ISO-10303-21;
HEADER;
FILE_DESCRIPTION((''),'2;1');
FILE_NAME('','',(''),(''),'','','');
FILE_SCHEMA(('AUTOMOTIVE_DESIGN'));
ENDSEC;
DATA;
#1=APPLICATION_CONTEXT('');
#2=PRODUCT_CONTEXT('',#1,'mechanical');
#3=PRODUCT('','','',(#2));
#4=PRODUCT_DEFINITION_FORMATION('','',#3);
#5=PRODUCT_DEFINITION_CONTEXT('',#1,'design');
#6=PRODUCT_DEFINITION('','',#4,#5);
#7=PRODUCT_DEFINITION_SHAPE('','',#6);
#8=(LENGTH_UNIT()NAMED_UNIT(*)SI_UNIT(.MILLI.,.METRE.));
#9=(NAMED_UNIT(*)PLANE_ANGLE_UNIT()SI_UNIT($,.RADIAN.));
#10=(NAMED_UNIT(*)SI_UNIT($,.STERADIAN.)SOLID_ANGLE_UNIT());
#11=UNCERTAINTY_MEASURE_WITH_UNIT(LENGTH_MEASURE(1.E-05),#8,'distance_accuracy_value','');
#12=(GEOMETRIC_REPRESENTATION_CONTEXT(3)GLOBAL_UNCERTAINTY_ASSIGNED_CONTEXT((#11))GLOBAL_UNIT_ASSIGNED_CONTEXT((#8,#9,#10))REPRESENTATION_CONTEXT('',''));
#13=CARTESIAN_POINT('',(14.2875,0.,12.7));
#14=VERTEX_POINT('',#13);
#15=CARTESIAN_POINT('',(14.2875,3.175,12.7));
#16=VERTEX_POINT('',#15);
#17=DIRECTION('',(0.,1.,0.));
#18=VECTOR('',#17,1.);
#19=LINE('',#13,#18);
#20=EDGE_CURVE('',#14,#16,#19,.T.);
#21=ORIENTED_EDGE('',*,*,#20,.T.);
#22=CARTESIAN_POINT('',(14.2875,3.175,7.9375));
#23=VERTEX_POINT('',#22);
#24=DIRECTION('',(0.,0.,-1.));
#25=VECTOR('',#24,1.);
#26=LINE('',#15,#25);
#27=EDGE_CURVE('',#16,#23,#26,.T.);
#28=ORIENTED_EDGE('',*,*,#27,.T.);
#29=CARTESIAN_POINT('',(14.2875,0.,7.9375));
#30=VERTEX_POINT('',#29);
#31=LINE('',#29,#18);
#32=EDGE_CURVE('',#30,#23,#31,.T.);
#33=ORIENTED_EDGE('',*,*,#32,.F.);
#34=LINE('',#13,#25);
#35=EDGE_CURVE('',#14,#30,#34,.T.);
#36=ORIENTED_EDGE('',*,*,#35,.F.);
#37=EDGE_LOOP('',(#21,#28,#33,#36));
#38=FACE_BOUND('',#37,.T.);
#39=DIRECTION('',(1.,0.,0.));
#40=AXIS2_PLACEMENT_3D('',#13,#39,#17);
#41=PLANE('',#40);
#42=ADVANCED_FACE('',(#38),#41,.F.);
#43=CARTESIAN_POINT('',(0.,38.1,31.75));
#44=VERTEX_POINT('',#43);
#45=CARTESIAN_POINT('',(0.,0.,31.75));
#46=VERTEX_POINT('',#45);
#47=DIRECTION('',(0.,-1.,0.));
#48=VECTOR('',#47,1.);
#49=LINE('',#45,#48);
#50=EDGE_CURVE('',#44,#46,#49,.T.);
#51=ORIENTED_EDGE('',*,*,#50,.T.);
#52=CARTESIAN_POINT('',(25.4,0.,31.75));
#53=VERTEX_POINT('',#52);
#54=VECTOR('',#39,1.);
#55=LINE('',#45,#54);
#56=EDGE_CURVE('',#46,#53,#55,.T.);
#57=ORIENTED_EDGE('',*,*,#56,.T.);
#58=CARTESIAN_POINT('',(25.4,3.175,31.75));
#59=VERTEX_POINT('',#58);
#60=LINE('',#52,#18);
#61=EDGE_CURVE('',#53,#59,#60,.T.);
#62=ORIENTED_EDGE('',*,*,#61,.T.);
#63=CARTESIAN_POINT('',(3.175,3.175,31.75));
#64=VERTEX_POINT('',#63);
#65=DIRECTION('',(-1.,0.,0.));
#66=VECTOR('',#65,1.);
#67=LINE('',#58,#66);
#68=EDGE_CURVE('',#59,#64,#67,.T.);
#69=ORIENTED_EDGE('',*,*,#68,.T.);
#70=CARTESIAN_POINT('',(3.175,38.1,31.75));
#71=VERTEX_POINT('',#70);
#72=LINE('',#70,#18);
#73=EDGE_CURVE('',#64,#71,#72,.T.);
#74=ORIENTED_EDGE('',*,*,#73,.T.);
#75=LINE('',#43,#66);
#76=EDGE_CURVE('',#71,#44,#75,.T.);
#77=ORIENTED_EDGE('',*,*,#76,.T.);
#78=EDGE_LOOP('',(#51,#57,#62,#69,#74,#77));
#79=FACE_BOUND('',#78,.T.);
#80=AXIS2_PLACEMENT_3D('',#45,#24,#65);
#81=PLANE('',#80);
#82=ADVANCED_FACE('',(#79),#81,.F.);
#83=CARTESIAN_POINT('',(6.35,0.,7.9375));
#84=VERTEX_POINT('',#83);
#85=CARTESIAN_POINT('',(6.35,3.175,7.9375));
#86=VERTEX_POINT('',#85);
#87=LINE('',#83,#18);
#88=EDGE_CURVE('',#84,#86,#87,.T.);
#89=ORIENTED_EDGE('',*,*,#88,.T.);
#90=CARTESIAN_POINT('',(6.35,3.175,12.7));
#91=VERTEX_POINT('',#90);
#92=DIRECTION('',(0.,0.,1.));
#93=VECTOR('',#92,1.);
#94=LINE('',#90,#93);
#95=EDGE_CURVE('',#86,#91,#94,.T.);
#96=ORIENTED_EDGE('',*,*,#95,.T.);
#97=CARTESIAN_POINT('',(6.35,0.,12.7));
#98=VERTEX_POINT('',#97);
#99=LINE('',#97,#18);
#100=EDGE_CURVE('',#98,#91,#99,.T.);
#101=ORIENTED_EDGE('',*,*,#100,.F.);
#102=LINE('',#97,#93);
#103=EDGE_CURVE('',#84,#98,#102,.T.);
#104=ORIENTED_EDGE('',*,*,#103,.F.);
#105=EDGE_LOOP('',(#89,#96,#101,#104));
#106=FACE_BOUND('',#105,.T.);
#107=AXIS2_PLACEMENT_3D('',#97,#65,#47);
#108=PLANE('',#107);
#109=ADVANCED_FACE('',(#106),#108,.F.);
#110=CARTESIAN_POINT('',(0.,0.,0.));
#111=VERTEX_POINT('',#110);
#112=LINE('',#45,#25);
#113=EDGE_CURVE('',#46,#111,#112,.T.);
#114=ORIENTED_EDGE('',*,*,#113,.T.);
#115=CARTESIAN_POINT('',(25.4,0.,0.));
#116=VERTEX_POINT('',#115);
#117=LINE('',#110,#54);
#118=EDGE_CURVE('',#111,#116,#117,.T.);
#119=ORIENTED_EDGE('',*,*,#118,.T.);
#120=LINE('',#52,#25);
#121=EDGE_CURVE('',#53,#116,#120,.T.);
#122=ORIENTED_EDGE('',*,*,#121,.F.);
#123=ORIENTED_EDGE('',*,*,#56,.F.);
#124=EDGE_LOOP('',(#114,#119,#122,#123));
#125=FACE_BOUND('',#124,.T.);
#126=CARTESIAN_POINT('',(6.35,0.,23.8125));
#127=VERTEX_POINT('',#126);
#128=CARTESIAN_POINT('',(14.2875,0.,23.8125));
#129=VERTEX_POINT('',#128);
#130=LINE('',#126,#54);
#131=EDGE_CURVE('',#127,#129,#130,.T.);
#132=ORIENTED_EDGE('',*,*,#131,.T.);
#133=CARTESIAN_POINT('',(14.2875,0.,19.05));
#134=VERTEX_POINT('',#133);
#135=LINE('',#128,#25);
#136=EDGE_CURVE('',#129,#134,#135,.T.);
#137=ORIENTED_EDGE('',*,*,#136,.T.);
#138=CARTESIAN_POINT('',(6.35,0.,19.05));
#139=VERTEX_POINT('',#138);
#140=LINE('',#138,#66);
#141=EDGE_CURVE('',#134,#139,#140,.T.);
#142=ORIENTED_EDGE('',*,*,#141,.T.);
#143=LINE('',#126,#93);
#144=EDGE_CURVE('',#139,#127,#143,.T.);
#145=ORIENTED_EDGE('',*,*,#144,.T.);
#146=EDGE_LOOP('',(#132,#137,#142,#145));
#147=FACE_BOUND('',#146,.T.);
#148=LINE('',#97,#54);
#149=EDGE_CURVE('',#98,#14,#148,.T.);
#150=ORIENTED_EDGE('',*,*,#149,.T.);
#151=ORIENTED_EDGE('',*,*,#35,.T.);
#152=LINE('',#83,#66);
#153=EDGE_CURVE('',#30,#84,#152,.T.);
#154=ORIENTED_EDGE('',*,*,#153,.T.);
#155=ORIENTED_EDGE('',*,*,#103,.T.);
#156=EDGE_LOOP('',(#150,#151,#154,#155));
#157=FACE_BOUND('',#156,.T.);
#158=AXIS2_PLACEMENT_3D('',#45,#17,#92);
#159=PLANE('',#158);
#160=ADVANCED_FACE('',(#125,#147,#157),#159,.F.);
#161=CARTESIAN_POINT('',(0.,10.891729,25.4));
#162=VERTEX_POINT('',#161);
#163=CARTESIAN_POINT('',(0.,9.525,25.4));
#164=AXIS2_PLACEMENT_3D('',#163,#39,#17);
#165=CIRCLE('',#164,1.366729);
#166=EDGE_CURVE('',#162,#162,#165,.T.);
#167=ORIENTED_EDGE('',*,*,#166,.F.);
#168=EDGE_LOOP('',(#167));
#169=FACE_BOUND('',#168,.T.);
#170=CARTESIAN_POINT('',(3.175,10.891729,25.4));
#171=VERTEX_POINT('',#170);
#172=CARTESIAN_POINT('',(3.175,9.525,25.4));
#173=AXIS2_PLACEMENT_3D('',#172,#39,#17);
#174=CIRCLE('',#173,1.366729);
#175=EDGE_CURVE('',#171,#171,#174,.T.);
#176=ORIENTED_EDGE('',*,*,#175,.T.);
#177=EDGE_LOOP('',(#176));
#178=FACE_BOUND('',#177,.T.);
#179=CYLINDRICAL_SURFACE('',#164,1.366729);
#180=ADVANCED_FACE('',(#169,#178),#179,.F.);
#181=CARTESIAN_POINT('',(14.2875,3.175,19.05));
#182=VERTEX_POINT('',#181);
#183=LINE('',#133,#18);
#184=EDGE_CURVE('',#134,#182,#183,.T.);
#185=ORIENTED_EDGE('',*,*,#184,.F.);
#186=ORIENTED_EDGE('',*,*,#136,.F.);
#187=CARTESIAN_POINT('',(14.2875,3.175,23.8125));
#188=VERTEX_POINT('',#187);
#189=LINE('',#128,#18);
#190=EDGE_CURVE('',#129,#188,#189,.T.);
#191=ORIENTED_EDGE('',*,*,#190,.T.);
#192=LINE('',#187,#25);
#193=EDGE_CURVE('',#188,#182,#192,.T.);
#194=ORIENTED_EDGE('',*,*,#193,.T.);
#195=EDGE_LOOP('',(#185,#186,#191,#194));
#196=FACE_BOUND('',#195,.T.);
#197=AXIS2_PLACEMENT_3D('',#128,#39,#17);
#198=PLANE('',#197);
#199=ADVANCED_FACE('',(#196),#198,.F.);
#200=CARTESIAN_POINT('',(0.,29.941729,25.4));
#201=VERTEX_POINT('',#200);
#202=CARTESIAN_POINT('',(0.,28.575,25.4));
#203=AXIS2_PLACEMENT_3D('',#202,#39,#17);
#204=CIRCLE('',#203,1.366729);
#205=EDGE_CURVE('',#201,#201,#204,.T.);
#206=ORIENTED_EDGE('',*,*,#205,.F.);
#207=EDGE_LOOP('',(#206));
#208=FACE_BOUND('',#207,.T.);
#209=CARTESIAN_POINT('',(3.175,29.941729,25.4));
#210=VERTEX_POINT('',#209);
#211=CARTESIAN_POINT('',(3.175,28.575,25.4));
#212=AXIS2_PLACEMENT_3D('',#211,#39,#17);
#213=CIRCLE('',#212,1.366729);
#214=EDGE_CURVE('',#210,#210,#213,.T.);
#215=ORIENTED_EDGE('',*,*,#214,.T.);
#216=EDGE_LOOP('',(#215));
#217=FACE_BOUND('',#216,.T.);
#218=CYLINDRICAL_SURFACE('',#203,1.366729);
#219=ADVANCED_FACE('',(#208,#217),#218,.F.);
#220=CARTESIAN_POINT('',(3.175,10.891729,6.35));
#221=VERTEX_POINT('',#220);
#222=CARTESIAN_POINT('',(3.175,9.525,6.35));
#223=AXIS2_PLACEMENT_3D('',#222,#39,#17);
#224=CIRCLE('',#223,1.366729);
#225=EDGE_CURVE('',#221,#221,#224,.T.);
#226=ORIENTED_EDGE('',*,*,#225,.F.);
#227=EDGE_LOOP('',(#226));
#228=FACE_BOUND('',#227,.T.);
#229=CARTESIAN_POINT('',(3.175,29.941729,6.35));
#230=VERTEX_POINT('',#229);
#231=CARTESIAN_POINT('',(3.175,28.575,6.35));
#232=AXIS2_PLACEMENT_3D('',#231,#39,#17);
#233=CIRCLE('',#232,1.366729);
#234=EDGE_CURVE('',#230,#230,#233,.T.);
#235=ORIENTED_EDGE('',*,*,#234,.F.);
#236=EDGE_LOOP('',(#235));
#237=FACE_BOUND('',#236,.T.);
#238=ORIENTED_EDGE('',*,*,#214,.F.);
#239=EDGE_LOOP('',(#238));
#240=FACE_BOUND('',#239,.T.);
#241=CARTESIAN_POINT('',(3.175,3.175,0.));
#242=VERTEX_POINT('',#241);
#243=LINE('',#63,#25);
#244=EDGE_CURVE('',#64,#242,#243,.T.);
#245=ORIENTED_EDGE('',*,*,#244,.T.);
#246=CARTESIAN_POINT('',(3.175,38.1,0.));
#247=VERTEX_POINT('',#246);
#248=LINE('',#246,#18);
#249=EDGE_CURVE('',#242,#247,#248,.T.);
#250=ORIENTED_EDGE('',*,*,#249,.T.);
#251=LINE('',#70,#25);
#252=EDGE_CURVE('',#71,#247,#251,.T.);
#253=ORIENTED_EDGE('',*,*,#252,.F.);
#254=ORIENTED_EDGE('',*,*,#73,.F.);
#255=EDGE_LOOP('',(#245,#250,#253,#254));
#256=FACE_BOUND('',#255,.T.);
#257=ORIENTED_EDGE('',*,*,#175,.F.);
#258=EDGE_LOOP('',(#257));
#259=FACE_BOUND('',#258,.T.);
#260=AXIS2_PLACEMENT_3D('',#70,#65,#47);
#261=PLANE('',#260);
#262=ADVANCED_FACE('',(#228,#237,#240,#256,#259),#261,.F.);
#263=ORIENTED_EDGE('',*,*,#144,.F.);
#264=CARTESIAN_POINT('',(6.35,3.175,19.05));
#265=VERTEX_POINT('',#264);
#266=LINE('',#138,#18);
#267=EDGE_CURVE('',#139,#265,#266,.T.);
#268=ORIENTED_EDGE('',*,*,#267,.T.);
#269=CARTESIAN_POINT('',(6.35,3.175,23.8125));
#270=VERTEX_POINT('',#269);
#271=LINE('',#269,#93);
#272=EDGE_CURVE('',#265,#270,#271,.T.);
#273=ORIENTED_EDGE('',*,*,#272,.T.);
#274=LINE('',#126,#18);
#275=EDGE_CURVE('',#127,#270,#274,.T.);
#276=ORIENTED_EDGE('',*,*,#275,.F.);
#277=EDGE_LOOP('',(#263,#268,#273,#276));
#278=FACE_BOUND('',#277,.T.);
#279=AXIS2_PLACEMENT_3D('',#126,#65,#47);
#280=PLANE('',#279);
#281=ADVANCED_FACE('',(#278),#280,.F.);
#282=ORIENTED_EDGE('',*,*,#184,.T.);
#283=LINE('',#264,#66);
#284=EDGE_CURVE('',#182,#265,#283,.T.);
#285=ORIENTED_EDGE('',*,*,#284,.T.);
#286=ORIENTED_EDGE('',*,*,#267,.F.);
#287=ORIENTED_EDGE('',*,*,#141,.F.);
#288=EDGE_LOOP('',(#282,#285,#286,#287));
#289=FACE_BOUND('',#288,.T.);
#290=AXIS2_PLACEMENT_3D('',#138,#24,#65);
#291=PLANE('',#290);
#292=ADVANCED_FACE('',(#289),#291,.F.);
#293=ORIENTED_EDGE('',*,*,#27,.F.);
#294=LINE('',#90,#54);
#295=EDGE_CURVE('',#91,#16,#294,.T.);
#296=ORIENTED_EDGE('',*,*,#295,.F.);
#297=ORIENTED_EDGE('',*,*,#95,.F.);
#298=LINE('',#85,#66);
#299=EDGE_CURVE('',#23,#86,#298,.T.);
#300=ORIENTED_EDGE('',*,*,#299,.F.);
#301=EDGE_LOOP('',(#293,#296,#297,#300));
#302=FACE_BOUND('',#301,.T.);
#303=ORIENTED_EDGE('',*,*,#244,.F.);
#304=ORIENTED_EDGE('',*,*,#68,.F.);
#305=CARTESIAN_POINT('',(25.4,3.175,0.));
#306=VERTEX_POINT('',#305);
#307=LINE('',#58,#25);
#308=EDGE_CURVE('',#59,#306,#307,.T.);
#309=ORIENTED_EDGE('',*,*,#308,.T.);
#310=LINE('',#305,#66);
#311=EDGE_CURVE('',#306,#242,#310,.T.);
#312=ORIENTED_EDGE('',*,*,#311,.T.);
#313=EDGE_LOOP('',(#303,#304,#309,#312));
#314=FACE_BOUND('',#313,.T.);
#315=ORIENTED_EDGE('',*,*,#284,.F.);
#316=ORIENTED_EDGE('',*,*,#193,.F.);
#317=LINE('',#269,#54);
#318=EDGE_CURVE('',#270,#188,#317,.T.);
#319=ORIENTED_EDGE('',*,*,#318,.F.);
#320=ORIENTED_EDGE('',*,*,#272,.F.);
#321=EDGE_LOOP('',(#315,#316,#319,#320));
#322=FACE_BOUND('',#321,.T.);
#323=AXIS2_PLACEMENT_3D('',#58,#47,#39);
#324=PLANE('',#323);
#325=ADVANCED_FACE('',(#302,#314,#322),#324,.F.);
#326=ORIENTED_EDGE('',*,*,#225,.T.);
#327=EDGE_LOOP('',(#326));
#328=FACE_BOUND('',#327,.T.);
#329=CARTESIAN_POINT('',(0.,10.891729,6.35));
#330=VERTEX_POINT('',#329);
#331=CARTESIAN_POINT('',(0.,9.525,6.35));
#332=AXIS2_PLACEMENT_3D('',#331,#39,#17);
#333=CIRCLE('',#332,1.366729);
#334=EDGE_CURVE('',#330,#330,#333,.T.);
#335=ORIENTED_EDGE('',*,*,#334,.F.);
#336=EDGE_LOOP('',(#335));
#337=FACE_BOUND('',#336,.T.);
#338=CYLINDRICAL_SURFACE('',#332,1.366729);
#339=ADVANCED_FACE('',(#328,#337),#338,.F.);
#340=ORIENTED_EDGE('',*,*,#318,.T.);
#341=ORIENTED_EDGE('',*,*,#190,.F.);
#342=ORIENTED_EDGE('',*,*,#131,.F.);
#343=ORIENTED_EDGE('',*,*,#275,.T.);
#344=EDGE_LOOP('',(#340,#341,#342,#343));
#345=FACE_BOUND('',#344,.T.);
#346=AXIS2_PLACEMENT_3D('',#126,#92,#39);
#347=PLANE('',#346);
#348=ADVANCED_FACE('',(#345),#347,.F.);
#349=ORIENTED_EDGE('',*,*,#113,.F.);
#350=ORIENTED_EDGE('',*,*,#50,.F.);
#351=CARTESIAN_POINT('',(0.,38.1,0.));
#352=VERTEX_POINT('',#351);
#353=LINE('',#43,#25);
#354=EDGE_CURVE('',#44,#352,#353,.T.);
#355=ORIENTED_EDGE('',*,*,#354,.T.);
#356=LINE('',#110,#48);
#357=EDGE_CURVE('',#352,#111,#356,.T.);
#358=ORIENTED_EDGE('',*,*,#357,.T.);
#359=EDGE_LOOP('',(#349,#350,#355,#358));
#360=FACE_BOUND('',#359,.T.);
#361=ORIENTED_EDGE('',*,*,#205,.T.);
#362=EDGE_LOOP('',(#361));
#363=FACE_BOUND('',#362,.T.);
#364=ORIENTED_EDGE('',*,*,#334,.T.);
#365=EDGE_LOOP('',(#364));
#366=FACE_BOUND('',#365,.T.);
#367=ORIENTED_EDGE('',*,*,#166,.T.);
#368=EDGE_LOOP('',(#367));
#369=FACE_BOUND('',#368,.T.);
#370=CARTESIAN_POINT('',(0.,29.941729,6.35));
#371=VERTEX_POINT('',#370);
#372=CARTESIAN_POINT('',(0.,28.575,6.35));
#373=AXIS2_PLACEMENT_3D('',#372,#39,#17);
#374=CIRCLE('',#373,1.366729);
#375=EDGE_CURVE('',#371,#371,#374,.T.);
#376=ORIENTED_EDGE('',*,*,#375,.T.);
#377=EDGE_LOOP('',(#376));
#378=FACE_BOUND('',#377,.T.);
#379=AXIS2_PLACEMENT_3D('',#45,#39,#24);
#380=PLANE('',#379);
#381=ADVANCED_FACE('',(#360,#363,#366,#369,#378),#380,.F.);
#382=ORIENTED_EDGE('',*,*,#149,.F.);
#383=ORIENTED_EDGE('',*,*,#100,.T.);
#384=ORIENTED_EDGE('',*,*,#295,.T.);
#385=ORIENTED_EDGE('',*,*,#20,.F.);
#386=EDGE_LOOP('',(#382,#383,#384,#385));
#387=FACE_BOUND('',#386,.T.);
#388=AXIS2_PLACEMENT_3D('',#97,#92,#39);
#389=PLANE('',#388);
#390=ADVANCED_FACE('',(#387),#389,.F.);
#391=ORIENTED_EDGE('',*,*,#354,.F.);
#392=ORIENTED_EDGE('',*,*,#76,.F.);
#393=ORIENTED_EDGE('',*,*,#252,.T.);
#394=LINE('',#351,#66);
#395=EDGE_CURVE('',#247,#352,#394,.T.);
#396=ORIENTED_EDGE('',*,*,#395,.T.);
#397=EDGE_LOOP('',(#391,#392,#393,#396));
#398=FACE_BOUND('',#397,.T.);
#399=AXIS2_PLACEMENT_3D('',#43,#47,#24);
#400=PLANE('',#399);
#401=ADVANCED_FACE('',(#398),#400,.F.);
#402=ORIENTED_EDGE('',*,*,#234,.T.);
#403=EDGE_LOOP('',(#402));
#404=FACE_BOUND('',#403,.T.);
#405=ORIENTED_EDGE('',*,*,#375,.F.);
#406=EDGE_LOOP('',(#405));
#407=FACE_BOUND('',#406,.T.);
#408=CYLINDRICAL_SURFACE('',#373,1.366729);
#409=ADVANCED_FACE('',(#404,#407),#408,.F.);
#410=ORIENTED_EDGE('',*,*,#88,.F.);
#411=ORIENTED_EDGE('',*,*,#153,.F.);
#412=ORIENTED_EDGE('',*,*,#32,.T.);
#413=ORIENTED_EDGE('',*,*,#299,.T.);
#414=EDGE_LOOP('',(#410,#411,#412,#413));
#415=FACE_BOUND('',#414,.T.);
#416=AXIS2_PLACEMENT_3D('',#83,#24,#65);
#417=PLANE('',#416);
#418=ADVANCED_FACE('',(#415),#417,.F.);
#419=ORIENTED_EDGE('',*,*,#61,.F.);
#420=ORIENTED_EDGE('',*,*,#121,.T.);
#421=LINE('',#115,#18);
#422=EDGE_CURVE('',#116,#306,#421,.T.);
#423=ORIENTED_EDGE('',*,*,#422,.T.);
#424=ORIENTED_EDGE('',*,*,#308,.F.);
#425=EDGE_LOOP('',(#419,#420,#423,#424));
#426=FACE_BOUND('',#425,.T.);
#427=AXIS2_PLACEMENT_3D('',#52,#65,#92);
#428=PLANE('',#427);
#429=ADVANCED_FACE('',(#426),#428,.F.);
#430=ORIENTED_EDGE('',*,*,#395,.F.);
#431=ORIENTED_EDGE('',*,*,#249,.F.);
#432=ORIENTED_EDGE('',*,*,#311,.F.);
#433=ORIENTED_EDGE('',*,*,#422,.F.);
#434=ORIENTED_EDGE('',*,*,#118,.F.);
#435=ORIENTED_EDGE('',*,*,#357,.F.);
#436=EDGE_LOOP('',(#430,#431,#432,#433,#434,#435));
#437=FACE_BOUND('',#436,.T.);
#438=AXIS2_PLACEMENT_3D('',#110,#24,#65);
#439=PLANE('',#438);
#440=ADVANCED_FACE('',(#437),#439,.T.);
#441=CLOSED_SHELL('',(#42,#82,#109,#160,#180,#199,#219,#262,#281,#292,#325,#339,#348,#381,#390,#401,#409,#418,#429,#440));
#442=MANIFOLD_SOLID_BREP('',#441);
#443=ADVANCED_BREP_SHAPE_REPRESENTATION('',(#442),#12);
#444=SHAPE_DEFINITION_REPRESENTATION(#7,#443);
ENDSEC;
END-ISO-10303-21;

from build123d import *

# Parameters (mm, degrees)
BOSS_EXTRUDE1_DEPTH = 31.75
SKETCH2_R           = 1.366728635
CUT_EXTRUDE1_DEPTH  = 4.175
SKETCH4_W           = 7.9375
SKETCH4_H           = 4.7625
CUT_EXTRUDE2_DEPTH  = 4.175


with BuildPart() as part:
    # Sketch1 → Boss-Extrude1 (new body)
    with BuildSketch(Plane.XY):
        Polygon((0, 0), (25.4, 0), (25.4, 3.175), (3.175, 3.175), (3.175, 38.1), (0, 38.1), align=None)
    extrude(amount=BOSS_EXTRUDE1_DEPTH)

    # Sketch2 → Cut-Extrude1 (cut, through all)
    with BuildSketch(Plane(origin=(3.175, 0, 0), x_dir=(0, 0, -1), z_dir=(1, 0, 0))):
        with Locations((-25.4, 28.575)):
            Circle(SKETCH2_R)
        with Locations((-6.35, 28.575)):
            Circle(SKETCH2_R)
        with Locations((-25.4, 9.525)):
            Circle(SKETCH2_R)
        with Locations((-6.35, 9.525)):
            Circle(SKETCH2_R)
    extrude(amount=-CUT_EXTRUDE1_DEPTH, mode=Mode.SUBTRACT)

    # Sketch4 → Cut-Extrude2 (cut, through all)
    with BuildSketch(Plane(origin=(0, 3.175, 0), x_dir=(1, 0, 0), z_dir=(0, 1, 0))):
        with Locations((10.31875, -21.43125)):
            Rectangle(SKETCH4_W, SKETCH4_H)
        with Locations((10.31875, -10.31875)):
            Rectangle(SKETCH4_W, SKETCH4_H)
    extrude(amount=-CUT_EXTRUDE2_DEPTH, mode=Mode.SUBTRACT)


solid = part.part
